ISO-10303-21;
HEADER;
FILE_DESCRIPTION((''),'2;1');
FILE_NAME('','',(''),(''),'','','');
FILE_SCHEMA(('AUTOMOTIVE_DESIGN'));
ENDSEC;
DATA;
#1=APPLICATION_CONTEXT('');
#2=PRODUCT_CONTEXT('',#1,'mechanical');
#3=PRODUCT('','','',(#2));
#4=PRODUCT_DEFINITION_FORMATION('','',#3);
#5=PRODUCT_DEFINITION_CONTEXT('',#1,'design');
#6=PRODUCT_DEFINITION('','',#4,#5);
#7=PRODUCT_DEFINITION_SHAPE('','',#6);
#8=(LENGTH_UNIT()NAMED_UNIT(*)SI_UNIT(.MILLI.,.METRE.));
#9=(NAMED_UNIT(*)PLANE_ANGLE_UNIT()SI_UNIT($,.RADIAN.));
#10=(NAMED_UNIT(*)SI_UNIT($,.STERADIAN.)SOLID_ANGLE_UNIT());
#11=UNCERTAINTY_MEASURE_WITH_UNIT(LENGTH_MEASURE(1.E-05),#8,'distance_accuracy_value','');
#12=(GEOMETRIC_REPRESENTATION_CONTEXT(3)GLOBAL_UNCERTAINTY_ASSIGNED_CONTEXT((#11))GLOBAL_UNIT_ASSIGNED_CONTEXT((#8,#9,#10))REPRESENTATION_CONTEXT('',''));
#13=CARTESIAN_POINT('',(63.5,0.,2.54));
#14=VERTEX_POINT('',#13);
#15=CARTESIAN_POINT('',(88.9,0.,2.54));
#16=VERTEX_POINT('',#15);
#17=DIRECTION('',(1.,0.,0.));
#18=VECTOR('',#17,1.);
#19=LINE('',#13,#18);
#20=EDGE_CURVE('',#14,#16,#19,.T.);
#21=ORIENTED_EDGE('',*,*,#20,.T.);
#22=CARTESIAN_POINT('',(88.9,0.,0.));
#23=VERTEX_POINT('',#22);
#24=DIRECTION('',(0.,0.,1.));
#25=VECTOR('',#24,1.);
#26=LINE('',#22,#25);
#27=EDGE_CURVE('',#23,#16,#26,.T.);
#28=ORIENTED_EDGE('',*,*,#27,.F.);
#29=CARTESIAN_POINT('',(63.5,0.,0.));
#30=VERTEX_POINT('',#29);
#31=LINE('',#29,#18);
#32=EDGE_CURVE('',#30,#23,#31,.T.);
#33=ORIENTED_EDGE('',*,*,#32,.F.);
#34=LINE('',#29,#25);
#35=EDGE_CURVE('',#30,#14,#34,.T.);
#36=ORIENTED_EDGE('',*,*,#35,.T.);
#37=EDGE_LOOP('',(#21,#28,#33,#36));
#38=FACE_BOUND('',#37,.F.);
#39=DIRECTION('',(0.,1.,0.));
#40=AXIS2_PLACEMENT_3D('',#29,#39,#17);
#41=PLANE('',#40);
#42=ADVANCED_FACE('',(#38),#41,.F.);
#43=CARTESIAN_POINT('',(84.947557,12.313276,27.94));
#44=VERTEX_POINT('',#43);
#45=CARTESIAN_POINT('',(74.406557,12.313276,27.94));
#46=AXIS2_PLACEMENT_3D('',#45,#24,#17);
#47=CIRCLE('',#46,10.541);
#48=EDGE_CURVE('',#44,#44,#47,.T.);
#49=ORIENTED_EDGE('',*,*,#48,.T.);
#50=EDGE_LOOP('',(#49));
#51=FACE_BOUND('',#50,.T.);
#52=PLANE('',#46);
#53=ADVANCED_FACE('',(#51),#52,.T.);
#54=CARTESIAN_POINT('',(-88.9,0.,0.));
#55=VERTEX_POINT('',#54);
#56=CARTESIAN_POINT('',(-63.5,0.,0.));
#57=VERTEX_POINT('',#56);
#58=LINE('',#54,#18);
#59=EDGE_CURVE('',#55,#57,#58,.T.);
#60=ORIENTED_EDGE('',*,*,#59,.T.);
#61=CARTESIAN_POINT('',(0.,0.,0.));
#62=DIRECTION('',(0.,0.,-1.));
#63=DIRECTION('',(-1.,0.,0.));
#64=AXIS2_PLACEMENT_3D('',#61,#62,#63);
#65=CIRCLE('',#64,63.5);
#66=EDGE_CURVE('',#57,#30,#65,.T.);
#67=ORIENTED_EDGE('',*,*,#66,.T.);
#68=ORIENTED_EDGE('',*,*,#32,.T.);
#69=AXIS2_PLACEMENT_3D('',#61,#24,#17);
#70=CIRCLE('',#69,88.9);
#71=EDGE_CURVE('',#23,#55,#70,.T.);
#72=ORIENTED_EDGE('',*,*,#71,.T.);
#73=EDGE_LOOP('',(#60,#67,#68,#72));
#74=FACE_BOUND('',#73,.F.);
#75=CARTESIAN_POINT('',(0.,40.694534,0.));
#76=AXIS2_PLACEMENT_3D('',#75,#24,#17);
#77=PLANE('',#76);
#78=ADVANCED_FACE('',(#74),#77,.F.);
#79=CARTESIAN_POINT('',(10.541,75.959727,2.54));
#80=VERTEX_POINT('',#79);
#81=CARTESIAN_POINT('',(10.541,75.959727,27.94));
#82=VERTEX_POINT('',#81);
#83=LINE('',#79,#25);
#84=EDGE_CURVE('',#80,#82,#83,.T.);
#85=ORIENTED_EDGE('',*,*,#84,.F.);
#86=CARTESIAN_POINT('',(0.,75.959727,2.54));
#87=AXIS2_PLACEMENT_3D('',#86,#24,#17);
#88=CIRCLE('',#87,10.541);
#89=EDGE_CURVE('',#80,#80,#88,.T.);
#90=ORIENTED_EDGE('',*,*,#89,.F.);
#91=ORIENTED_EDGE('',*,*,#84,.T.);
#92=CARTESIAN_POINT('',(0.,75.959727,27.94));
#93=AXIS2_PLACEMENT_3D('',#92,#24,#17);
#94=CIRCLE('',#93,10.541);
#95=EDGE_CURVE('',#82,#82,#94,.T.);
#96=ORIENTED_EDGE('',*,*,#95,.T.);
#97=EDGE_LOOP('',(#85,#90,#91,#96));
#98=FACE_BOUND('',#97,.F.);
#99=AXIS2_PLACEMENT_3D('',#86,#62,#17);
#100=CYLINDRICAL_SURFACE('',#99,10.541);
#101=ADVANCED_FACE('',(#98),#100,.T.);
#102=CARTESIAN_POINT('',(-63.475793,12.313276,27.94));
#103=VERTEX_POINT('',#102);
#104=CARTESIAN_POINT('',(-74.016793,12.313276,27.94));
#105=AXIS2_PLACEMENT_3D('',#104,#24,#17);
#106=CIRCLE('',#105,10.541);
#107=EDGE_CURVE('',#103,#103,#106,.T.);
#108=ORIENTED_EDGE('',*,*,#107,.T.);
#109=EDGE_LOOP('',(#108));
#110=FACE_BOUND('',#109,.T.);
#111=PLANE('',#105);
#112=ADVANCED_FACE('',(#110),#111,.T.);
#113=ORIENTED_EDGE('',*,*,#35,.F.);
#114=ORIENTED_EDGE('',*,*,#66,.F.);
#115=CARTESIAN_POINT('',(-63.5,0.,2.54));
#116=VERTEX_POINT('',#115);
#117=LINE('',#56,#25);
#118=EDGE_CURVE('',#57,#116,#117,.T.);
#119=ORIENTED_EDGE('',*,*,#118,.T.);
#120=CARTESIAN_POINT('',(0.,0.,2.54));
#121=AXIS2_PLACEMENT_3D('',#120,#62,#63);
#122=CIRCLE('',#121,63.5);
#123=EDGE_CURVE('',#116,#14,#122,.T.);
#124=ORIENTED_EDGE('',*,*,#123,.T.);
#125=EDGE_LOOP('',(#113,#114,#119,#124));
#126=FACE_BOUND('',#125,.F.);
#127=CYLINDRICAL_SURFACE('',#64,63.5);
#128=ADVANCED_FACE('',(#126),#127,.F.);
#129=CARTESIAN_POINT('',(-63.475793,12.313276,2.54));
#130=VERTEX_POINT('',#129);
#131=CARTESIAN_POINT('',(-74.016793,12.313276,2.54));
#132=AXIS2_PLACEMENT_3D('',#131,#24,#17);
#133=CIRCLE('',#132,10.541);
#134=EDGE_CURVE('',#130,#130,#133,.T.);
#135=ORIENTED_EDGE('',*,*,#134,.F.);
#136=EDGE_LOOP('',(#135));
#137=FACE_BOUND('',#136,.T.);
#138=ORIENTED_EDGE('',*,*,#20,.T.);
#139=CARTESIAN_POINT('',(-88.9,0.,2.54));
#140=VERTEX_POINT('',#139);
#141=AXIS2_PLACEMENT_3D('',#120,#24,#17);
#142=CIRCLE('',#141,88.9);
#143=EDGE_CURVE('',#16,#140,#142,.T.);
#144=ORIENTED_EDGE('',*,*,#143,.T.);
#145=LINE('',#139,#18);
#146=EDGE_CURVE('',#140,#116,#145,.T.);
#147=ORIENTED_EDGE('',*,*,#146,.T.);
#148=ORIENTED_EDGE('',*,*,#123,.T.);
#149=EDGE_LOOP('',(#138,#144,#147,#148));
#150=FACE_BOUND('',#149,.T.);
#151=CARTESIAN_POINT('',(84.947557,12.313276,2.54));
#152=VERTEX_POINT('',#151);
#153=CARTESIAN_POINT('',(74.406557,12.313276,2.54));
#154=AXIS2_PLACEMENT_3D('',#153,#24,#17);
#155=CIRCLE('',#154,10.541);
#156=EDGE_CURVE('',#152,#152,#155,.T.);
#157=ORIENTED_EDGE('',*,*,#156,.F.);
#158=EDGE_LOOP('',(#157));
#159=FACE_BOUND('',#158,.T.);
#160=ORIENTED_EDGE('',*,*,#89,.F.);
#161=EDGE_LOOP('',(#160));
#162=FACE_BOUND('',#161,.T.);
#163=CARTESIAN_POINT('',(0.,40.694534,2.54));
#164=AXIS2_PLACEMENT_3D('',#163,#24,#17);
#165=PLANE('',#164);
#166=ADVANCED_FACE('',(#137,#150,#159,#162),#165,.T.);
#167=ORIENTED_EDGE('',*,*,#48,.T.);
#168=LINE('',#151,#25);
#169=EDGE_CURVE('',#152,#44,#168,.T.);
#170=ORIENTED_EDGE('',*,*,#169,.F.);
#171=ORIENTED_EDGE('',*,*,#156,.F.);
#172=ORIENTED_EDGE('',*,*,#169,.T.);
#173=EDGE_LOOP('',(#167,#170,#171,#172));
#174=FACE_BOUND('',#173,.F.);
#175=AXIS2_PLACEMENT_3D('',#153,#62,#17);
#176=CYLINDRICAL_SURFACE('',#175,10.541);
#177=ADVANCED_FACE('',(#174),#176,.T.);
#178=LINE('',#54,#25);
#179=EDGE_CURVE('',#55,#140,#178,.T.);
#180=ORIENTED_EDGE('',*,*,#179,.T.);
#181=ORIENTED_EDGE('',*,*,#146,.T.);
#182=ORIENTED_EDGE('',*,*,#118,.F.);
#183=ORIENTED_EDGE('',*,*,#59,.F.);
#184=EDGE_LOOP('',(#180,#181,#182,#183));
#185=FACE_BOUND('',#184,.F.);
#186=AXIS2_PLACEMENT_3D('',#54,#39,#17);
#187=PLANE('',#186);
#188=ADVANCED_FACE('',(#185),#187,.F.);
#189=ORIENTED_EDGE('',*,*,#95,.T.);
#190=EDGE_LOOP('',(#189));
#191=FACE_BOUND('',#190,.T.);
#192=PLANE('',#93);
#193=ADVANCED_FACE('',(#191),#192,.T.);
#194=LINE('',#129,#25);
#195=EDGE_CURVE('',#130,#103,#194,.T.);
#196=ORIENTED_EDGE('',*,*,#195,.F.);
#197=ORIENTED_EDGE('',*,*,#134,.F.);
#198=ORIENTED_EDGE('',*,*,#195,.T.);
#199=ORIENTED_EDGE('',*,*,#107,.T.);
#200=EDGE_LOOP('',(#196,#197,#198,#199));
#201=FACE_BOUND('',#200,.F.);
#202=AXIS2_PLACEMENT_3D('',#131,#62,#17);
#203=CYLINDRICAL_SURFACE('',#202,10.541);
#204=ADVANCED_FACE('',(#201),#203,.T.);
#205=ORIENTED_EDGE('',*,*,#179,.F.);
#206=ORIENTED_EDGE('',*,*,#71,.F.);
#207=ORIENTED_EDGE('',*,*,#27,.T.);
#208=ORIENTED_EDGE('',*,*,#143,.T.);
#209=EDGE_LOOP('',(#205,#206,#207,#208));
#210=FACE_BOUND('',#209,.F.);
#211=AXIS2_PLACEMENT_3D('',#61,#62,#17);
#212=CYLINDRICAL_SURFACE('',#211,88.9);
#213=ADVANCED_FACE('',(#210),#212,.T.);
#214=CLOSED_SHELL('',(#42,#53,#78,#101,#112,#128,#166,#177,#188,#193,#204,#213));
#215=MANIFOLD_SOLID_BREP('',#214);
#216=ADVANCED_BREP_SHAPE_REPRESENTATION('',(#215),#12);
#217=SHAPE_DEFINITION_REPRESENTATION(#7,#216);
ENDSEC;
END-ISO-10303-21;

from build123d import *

# Parameters (mm, degrees)
F1_DEPTH = 2.54
F2_R     = 10.541
F3_DEPTH = 25.4


with BuildPart() as f1:
    # F0 (on Top) → F1 (new body)
    with BuildSketch(Plane.XY):
        with BuildLine():
            Line((63.5, 0), (88.9, 0))
            ThreePointArc((88.9, 0), (0, 88.9), (-88.9, 0))
            Line((-88.9, 0), (-63.5, 0))
            ThreePointArc((-63.5, 0), (0, 63.5), (63.5, 0))
        make_face()
    extrude(amount=F1_DEPTH)

    # F2 (on face) → F3 (join)
    with BuildSketch(Plane.XY.offset(2.54)):
        with Locations((0, 75.959727)):
            Circle(F2_R)
        with Locations((-74.016793, 12.313276)):
            Circle(F2_R)
        with Locations((74.406557, 12.313276)):
            Circle(F2_R)
    extrude(amount=F3_DEPTH)


solid = f1.part
